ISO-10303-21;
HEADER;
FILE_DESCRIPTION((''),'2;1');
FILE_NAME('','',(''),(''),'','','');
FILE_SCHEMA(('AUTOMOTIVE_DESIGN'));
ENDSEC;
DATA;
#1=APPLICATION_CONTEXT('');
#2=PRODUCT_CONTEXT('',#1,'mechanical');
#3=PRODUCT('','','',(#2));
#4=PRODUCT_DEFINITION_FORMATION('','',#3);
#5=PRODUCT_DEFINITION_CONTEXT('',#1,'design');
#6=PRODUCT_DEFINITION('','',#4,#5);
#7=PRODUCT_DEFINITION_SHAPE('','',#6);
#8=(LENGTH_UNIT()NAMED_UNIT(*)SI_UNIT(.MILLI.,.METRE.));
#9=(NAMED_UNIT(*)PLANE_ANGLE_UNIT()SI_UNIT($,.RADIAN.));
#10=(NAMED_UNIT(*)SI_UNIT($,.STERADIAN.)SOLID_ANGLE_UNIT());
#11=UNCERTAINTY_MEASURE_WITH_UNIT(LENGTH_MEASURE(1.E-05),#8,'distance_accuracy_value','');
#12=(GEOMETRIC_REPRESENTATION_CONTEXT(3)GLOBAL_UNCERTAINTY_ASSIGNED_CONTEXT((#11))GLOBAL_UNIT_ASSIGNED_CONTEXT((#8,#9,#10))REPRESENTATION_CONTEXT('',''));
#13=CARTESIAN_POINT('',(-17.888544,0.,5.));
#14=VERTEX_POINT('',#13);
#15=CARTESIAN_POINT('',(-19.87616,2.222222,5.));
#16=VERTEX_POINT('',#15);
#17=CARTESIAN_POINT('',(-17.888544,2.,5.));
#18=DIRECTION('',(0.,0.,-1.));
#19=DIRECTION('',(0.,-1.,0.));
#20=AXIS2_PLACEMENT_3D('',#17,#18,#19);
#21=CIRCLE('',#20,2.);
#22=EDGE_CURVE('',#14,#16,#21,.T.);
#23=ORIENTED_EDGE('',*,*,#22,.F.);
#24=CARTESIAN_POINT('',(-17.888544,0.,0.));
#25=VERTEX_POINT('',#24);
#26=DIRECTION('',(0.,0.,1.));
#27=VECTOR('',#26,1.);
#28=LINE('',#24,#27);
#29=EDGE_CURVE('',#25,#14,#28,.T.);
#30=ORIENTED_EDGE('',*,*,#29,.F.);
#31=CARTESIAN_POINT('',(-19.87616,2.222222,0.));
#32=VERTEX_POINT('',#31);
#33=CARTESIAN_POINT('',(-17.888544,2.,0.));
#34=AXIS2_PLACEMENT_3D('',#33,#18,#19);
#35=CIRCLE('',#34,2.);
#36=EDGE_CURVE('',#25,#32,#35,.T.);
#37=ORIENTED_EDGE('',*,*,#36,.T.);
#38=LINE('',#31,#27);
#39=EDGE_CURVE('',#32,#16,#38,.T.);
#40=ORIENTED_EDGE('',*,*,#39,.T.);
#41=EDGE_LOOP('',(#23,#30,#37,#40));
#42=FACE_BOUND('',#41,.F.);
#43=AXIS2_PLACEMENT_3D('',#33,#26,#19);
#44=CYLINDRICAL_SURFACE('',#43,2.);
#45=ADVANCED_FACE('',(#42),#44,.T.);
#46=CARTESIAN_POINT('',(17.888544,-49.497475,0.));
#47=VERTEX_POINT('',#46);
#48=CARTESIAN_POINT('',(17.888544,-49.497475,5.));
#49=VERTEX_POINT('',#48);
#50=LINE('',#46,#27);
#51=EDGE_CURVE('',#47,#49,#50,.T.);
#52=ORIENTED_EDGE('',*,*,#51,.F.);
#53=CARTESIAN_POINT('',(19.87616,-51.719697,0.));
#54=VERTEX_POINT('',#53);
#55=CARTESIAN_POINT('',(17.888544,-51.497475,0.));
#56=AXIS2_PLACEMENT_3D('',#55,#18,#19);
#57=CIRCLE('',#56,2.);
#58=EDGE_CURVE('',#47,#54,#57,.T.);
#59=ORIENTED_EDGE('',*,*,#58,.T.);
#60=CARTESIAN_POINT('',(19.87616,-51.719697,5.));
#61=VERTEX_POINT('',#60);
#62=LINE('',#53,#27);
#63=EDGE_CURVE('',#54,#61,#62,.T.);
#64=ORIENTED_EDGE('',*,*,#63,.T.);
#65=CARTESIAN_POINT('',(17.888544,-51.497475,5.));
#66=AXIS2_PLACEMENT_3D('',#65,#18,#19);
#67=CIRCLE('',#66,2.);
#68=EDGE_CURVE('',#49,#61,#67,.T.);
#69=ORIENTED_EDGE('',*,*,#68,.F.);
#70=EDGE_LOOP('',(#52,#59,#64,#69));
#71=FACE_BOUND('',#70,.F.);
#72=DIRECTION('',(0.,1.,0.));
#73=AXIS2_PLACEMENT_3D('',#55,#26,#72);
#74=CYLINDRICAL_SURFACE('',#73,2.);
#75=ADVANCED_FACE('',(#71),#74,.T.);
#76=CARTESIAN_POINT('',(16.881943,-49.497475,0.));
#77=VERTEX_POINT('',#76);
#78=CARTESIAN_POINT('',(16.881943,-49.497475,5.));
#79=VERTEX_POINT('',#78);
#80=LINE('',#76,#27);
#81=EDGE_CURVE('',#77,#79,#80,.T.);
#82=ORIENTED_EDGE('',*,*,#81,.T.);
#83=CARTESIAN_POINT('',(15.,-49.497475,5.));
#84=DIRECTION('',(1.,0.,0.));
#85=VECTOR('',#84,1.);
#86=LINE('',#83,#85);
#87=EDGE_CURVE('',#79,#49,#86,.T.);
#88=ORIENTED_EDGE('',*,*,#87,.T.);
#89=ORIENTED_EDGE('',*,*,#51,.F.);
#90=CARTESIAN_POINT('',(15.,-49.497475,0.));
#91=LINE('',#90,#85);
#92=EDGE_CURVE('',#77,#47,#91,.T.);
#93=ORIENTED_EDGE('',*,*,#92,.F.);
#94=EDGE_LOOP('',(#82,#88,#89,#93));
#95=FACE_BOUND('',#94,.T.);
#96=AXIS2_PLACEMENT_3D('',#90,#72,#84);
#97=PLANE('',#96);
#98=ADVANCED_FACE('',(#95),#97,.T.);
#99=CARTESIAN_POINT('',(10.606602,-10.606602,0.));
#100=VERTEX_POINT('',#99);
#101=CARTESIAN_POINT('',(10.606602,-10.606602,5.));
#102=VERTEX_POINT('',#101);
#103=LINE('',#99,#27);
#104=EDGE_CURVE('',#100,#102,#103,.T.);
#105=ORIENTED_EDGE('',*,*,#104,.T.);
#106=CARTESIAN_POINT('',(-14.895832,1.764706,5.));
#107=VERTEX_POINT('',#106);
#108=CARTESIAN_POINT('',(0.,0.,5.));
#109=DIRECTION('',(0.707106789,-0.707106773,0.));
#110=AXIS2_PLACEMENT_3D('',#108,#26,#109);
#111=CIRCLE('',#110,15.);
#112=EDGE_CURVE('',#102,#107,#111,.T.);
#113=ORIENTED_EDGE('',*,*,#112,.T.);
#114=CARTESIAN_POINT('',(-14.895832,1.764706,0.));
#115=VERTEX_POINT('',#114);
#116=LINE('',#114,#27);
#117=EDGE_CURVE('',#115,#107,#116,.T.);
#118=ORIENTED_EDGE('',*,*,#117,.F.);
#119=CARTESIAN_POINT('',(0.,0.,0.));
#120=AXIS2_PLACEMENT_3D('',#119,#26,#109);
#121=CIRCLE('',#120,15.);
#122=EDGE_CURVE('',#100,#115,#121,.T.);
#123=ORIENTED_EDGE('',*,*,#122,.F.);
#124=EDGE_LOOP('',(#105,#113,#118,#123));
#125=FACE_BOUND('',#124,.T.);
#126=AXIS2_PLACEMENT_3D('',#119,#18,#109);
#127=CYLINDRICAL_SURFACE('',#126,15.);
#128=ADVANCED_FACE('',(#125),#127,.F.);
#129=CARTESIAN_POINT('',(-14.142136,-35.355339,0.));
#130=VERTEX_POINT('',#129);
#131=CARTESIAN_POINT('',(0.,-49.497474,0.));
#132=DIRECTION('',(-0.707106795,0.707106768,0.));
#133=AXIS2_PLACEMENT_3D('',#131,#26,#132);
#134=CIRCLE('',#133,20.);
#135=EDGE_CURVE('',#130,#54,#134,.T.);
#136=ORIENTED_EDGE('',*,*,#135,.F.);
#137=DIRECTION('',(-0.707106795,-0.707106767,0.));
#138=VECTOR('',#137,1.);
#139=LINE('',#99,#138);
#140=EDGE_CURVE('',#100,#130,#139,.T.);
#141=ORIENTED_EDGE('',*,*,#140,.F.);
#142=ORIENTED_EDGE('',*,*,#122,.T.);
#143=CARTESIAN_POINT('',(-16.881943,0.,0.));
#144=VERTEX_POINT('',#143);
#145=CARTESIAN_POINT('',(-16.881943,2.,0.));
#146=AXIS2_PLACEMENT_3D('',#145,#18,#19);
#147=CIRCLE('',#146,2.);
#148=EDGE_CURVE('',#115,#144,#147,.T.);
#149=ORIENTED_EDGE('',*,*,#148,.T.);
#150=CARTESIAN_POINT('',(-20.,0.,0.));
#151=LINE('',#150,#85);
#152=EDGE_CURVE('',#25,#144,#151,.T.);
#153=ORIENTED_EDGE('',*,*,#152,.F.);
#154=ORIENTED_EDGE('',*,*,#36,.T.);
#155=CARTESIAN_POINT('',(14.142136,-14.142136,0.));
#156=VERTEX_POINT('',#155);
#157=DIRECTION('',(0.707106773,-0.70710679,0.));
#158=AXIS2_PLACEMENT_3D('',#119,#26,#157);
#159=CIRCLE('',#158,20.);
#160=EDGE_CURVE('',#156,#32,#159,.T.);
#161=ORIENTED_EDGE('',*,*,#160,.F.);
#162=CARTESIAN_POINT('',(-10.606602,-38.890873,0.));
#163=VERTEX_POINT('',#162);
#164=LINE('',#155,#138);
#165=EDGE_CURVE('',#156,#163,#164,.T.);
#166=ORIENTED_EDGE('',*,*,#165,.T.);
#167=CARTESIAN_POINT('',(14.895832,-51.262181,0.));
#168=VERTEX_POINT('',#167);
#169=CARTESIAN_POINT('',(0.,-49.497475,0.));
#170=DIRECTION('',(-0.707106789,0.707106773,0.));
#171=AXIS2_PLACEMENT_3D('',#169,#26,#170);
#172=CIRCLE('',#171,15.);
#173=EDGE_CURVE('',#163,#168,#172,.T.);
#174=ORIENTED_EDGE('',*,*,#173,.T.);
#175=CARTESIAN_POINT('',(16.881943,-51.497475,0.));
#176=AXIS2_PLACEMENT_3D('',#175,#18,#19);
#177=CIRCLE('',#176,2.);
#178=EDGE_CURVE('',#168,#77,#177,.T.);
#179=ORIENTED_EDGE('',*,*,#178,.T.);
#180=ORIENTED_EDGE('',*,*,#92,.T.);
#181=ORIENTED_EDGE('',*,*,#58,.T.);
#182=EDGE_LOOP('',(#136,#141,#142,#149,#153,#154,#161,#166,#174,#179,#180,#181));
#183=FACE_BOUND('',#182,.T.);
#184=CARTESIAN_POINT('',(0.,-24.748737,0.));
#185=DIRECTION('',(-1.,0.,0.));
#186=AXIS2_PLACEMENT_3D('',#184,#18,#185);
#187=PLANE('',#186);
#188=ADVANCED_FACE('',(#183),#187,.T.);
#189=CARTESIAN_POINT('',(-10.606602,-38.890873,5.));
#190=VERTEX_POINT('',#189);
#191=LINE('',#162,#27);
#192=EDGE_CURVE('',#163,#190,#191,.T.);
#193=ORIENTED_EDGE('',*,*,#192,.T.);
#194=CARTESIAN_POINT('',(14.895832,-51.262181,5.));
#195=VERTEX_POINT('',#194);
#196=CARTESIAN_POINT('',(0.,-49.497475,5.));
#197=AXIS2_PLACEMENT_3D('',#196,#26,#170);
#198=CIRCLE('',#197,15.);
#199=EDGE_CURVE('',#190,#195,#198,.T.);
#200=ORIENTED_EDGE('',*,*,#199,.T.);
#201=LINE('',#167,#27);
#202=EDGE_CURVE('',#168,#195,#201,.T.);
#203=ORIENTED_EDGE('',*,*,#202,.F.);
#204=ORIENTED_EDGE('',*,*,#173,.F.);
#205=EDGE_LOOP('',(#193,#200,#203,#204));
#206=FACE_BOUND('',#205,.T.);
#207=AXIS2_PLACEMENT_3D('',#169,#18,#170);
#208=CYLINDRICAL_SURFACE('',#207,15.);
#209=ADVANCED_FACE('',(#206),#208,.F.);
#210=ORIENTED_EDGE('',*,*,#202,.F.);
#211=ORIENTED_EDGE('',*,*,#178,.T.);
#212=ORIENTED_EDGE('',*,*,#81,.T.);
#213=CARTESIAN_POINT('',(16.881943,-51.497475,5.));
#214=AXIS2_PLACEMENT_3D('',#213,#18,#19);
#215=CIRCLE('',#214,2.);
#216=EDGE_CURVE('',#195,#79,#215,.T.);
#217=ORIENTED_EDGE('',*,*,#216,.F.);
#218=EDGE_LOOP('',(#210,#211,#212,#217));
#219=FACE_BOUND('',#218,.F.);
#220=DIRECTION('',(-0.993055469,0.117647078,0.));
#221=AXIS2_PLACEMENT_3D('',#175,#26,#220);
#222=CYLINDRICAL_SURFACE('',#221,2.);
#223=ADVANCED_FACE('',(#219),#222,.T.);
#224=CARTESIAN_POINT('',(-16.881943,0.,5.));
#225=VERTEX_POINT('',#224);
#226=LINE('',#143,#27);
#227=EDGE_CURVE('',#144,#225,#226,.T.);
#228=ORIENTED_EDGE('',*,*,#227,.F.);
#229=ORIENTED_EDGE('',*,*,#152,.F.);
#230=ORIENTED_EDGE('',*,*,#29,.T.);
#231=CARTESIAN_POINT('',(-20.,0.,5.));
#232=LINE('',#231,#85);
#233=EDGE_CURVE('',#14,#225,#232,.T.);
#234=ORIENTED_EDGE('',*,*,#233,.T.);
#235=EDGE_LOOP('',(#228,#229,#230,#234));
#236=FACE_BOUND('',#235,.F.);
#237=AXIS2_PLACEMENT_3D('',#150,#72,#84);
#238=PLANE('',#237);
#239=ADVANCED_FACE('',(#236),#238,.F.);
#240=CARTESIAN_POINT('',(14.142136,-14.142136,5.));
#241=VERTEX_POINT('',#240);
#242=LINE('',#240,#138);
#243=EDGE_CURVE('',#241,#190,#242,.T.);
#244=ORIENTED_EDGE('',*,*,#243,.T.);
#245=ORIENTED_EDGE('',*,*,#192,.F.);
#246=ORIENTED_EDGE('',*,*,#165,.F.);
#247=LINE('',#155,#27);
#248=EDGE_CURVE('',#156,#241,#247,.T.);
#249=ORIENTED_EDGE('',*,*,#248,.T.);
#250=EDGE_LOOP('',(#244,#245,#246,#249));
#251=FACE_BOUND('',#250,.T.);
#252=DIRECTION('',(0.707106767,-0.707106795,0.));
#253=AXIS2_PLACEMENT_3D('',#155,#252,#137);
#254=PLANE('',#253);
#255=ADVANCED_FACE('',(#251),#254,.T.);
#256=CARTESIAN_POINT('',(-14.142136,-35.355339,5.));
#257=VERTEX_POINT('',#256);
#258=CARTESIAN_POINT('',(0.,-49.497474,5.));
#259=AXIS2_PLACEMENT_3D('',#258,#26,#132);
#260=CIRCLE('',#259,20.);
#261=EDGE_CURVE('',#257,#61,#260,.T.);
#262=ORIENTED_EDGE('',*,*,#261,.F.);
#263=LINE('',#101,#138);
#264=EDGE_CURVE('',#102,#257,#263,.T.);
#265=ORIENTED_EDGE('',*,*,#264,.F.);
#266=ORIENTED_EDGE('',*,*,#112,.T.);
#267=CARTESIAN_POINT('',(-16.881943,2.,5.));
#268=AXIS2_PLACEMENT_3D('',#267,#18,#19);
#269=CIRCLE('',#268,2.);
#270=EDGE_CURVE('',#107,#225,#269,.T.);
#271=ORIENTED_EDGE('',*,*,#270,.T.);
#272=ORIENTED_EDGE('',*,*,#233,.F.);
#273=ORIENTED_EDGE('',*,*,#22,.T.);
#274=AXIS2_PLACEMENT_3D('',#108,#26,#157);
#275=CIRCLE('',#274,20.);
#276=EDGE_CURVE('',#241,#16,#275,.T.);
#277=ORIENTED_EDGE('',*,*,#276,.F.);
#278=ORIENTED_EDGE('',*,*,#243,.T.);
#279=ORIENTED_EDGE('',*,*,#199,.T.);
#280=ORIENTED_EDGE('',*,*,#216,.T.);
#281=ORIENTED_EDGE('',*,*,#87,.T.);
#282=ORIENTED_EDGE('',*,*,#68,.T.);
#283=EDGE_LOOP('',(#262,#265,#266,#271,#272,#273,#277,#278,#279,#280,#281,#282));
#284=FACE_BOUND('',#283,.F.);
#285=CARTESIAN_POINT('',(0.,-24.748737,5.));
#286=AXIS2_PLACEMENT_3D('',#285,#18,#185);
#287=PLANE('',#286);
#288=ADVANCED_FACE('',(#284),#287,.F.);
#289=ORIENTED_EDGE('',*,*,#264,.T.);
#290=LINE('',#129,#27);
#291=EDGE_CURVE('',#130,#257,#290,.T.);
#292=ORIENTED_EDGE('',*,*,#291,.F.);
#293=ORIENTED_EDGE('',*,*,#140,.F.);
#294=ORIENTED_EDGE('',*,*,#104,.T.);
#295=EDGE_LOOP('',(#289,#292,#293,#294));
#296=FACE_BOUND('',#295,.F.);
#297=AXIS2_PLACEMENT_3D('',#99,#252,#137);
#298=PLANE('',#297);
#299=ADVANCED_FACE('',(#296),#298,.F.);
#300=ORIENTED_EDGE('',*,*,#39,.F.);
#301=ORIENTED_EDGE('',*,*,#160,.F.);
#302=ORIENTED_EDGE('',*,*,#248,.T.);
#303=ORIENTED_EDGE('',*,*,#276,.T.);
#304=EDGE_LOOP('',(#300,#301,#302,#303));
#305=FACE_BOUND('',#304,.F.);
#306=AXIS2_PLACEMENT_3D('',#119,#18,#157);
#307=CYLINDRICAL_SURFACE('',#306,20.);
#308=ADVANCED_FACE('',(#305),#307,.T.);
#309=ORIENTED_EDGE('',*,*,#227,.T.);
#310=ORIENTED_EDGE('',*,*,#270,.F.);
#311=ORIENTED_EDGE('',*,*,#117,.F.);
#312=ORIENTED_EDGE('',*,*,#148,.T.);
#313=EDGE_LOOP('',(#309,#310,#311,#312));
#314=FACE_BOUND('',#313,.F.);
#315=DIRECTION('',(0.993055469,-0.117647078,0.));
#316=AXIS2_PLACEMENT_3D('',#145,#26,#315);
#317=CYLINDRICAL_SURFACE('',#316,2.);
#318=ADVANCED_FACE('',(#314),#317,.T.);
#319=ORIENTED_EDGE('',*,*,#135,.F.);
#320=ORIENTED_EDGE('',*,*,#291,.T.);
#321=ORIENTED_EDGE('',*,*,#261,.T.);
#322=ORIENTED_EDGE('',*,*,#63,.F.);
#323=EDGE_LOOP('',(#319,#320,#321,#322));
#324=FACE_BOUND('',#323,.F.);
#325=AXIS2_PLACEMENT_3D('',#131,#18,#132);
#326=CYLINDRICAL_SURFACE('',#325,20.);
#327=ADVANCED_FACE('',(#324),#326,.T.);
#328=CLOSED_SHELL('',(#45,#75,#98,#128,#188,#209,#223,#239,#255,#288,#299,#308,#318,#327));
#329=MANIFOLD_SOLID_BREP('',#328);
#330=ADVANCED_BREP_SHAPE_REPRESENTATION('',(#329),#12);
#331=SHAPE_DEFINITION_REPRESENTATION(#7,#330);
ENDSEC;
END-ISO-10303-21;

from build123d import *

# Parameters (mm, degrees)
PAD_DEPTH = 5
FILLET_R  = 2


with BuildPart() as part:
    # Sketch → Pad (new body)
    with BuildSketch(Plane.XY):
        with BuildLine():
            ThreePointArc((10.606602, -10.606602), (5.740251, 13.858193), (-15, 0))
            Line((-20, 0), (-15, 0))
            ThreePointArc((14.142136, -14.142136), (7.653669, 18.477591), (-20, 0))
            Line((14.142136, -14.142136), (-10.606602, -38.890873))
            ThreePointArc((-10.606602, -38.890873), (-5.740251, -63.355668), (15, -49.497475))
            Line((15, -49.497475), (20, -49.497475))
            ThreePointArc((-14.142136, -35.355339), (-7.653669, -67.975065), (20, -49.497475))
            Line((10.606602, -10.606602), (-14.142136, -35.355339))
        make_face()
    extrude(amount=PAD_DEPTH)

    # Fillet
    fillet_edges = [part.edges().sort_by_distance(p)[0] for p in [
        (-15, 0, 2.5),
        (-20, 0, 2.5),
        (20, -49.497475, 2.5),
        (15, -49.497475, 2.5),
    ]]
    fillet(fillet_edges, radius=FILLET_R)


solid = part.part
